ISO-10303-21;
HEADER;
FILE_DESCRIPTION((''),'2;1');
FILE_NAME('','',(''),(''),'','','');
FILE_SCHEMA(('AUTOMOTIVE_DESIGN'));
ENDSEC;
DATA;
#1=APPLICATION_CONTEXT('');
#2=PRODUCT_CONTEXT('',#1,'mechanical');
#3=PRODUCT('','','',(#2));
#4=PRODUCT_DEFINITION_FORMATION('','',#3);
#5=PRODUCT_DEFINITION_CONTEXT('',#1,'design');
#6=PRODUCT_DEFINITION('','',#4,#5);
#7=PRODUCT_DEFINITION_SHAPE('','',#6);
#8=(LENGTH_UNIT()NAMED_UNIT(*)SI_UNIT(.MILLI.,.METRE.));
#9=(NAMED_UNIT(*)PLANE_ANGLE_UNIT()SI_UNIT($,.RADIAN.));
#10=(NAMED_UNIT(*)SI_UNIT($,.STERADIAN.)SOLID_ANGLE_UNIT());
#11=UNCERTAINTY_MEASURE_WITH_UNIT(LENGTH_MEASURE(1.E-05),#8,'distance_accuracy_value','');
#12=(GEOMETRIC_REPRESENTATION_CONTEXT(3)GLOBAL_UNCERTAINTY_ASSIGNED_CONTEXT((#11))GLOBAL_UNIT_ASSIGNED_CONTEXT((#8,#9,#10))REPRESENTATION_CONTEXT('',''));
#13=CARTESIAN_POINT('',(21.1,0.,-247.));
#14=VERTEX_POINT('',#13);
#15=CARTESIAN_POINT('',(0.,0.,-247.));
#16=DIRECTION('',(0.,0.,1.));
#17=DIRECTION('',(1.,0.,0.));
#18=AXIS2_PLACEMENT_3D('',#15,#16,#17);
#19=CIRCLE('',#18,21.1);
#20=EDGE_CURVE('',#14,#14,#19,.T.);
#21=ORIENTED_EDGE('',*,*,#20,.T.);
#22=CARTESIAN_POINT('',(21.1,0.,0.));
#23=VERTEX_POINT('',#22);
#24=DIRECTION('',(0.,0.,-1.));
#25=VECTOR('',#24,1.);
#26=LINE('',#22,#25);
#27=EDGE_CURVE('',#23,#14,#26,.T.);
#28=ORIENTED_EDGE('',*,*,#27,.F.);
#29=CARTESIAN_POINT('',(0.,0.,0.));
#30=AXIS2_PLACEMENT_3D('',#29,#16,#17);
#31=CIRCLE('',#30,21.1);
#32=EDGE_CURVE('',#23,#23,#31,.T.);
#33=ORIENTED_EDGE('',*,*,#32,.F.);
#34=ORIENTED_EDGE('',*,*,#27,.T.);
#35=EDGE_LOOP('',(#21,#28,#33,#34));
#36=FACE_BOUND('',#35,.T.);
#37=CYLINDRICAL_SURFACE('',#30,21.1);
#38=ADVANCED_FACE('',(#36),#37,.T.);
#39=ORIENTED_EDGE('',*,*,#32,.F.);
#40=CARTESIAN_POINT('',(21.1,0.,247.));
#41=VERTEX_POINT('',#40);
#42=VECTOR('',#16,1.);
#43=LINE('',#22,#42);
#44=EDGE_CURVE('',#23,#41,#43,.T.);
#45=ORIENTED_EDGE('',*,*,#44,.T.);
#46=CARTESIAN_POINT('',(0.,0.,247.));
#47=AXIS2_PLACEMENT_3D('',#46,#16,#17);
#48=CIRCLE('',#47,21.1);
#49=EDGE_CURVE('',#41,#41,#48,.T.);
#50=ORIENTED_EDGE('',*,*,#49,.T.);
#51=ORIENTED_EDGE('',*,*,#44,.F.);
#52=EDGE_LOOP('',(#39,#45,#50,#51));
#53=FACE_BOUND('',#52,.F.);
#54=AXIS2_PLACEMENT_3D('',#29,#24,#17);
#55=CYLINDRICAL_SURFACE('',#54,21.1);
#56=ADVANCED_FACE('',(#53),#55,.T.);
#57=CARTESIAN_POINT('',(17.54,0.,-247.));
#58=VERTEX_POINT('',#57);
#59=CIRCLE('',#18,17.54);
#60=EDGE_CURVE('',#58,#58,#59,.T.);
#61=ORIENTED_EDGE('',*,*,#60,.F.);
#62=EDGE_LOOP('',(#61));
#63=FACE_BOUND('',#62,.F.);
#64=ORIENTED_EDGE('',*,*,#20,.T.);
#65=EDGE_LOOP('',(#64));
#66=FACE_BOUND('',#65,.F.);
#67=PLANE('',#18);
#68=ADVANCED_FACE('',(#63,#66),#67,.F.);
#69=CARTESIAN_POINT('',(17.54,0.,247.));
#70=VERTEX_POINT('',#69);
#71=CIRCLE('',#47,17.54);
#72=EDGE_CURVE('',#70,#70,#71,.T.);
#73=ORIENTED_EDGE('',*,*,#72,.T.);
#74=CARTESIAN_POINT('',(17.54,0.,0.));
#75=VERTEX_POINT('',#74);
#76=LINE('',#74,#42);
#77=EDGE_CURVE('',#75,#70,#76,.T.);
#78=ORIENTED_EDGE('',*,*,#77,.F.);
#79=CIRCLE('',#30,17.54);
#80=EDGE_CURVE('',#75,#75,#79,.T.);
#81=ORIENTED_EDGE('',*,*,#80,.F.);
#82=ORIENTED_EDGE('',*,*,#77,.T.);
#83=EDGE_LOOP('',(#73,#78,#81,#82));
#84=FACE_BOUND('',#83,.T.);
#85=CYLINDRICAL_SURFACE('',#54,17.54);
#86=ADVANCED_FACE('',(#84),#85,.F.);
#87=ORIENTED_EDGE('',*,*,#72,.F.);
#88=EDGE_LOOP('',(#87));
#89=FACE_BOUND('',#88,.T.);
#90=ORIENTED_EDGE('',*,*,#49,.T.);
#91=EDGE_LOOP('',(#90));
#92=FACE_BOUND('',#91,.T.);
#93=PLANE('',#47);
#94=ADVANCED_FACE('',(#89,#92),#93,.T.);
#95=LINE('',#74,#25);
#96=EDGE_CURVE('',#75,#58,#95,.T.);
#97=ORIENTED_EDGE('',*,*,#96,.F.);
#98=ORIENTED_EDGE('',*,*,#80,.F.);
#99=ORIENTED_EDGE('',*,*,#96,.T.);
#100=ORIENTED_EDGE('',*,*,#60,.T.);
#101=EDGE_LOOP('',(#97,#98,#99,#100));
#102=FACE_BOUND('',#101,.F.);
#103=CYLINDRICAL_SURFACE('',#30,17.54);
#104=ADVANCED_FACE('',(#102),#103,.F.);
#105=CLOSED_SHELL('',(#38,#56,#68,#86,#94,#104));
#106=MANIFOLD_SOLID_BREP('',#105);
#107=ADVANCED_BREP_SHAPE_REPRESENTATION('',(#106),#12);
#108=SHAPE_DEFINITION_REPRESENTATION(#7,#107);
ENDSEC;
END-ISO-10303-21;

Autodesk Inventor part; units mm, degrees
ref_plane "YZ Plane" through (0, 0, 0) normal (1, 0, 0) x (0, 1, 0)
ref_plane "XZ Plane" through (0, 0, 0) normal (0, 1, 0) x (-1, 0, 0)
ref_plane "XY Plane" through (0, 0, 0) normal (0, 0, 1) x (1, 0, 0)
sketch "Sketch1" plane through (0, 0, 0) normal (0, 0, 1) x (1, 0, 0)
  circle A0 centre (0, 0) radius 21.1
  circle A1 centre (0, 0) radius 17.54
  dimension "OD" = 42.2
  dimension "t" = 3.56
extrude "Extrusion1" add sketch "Sketch1" along normal mid plane 494
equation "\"size\" = 7"
properties part number "DT" material "Aluminium 6082 T6"
